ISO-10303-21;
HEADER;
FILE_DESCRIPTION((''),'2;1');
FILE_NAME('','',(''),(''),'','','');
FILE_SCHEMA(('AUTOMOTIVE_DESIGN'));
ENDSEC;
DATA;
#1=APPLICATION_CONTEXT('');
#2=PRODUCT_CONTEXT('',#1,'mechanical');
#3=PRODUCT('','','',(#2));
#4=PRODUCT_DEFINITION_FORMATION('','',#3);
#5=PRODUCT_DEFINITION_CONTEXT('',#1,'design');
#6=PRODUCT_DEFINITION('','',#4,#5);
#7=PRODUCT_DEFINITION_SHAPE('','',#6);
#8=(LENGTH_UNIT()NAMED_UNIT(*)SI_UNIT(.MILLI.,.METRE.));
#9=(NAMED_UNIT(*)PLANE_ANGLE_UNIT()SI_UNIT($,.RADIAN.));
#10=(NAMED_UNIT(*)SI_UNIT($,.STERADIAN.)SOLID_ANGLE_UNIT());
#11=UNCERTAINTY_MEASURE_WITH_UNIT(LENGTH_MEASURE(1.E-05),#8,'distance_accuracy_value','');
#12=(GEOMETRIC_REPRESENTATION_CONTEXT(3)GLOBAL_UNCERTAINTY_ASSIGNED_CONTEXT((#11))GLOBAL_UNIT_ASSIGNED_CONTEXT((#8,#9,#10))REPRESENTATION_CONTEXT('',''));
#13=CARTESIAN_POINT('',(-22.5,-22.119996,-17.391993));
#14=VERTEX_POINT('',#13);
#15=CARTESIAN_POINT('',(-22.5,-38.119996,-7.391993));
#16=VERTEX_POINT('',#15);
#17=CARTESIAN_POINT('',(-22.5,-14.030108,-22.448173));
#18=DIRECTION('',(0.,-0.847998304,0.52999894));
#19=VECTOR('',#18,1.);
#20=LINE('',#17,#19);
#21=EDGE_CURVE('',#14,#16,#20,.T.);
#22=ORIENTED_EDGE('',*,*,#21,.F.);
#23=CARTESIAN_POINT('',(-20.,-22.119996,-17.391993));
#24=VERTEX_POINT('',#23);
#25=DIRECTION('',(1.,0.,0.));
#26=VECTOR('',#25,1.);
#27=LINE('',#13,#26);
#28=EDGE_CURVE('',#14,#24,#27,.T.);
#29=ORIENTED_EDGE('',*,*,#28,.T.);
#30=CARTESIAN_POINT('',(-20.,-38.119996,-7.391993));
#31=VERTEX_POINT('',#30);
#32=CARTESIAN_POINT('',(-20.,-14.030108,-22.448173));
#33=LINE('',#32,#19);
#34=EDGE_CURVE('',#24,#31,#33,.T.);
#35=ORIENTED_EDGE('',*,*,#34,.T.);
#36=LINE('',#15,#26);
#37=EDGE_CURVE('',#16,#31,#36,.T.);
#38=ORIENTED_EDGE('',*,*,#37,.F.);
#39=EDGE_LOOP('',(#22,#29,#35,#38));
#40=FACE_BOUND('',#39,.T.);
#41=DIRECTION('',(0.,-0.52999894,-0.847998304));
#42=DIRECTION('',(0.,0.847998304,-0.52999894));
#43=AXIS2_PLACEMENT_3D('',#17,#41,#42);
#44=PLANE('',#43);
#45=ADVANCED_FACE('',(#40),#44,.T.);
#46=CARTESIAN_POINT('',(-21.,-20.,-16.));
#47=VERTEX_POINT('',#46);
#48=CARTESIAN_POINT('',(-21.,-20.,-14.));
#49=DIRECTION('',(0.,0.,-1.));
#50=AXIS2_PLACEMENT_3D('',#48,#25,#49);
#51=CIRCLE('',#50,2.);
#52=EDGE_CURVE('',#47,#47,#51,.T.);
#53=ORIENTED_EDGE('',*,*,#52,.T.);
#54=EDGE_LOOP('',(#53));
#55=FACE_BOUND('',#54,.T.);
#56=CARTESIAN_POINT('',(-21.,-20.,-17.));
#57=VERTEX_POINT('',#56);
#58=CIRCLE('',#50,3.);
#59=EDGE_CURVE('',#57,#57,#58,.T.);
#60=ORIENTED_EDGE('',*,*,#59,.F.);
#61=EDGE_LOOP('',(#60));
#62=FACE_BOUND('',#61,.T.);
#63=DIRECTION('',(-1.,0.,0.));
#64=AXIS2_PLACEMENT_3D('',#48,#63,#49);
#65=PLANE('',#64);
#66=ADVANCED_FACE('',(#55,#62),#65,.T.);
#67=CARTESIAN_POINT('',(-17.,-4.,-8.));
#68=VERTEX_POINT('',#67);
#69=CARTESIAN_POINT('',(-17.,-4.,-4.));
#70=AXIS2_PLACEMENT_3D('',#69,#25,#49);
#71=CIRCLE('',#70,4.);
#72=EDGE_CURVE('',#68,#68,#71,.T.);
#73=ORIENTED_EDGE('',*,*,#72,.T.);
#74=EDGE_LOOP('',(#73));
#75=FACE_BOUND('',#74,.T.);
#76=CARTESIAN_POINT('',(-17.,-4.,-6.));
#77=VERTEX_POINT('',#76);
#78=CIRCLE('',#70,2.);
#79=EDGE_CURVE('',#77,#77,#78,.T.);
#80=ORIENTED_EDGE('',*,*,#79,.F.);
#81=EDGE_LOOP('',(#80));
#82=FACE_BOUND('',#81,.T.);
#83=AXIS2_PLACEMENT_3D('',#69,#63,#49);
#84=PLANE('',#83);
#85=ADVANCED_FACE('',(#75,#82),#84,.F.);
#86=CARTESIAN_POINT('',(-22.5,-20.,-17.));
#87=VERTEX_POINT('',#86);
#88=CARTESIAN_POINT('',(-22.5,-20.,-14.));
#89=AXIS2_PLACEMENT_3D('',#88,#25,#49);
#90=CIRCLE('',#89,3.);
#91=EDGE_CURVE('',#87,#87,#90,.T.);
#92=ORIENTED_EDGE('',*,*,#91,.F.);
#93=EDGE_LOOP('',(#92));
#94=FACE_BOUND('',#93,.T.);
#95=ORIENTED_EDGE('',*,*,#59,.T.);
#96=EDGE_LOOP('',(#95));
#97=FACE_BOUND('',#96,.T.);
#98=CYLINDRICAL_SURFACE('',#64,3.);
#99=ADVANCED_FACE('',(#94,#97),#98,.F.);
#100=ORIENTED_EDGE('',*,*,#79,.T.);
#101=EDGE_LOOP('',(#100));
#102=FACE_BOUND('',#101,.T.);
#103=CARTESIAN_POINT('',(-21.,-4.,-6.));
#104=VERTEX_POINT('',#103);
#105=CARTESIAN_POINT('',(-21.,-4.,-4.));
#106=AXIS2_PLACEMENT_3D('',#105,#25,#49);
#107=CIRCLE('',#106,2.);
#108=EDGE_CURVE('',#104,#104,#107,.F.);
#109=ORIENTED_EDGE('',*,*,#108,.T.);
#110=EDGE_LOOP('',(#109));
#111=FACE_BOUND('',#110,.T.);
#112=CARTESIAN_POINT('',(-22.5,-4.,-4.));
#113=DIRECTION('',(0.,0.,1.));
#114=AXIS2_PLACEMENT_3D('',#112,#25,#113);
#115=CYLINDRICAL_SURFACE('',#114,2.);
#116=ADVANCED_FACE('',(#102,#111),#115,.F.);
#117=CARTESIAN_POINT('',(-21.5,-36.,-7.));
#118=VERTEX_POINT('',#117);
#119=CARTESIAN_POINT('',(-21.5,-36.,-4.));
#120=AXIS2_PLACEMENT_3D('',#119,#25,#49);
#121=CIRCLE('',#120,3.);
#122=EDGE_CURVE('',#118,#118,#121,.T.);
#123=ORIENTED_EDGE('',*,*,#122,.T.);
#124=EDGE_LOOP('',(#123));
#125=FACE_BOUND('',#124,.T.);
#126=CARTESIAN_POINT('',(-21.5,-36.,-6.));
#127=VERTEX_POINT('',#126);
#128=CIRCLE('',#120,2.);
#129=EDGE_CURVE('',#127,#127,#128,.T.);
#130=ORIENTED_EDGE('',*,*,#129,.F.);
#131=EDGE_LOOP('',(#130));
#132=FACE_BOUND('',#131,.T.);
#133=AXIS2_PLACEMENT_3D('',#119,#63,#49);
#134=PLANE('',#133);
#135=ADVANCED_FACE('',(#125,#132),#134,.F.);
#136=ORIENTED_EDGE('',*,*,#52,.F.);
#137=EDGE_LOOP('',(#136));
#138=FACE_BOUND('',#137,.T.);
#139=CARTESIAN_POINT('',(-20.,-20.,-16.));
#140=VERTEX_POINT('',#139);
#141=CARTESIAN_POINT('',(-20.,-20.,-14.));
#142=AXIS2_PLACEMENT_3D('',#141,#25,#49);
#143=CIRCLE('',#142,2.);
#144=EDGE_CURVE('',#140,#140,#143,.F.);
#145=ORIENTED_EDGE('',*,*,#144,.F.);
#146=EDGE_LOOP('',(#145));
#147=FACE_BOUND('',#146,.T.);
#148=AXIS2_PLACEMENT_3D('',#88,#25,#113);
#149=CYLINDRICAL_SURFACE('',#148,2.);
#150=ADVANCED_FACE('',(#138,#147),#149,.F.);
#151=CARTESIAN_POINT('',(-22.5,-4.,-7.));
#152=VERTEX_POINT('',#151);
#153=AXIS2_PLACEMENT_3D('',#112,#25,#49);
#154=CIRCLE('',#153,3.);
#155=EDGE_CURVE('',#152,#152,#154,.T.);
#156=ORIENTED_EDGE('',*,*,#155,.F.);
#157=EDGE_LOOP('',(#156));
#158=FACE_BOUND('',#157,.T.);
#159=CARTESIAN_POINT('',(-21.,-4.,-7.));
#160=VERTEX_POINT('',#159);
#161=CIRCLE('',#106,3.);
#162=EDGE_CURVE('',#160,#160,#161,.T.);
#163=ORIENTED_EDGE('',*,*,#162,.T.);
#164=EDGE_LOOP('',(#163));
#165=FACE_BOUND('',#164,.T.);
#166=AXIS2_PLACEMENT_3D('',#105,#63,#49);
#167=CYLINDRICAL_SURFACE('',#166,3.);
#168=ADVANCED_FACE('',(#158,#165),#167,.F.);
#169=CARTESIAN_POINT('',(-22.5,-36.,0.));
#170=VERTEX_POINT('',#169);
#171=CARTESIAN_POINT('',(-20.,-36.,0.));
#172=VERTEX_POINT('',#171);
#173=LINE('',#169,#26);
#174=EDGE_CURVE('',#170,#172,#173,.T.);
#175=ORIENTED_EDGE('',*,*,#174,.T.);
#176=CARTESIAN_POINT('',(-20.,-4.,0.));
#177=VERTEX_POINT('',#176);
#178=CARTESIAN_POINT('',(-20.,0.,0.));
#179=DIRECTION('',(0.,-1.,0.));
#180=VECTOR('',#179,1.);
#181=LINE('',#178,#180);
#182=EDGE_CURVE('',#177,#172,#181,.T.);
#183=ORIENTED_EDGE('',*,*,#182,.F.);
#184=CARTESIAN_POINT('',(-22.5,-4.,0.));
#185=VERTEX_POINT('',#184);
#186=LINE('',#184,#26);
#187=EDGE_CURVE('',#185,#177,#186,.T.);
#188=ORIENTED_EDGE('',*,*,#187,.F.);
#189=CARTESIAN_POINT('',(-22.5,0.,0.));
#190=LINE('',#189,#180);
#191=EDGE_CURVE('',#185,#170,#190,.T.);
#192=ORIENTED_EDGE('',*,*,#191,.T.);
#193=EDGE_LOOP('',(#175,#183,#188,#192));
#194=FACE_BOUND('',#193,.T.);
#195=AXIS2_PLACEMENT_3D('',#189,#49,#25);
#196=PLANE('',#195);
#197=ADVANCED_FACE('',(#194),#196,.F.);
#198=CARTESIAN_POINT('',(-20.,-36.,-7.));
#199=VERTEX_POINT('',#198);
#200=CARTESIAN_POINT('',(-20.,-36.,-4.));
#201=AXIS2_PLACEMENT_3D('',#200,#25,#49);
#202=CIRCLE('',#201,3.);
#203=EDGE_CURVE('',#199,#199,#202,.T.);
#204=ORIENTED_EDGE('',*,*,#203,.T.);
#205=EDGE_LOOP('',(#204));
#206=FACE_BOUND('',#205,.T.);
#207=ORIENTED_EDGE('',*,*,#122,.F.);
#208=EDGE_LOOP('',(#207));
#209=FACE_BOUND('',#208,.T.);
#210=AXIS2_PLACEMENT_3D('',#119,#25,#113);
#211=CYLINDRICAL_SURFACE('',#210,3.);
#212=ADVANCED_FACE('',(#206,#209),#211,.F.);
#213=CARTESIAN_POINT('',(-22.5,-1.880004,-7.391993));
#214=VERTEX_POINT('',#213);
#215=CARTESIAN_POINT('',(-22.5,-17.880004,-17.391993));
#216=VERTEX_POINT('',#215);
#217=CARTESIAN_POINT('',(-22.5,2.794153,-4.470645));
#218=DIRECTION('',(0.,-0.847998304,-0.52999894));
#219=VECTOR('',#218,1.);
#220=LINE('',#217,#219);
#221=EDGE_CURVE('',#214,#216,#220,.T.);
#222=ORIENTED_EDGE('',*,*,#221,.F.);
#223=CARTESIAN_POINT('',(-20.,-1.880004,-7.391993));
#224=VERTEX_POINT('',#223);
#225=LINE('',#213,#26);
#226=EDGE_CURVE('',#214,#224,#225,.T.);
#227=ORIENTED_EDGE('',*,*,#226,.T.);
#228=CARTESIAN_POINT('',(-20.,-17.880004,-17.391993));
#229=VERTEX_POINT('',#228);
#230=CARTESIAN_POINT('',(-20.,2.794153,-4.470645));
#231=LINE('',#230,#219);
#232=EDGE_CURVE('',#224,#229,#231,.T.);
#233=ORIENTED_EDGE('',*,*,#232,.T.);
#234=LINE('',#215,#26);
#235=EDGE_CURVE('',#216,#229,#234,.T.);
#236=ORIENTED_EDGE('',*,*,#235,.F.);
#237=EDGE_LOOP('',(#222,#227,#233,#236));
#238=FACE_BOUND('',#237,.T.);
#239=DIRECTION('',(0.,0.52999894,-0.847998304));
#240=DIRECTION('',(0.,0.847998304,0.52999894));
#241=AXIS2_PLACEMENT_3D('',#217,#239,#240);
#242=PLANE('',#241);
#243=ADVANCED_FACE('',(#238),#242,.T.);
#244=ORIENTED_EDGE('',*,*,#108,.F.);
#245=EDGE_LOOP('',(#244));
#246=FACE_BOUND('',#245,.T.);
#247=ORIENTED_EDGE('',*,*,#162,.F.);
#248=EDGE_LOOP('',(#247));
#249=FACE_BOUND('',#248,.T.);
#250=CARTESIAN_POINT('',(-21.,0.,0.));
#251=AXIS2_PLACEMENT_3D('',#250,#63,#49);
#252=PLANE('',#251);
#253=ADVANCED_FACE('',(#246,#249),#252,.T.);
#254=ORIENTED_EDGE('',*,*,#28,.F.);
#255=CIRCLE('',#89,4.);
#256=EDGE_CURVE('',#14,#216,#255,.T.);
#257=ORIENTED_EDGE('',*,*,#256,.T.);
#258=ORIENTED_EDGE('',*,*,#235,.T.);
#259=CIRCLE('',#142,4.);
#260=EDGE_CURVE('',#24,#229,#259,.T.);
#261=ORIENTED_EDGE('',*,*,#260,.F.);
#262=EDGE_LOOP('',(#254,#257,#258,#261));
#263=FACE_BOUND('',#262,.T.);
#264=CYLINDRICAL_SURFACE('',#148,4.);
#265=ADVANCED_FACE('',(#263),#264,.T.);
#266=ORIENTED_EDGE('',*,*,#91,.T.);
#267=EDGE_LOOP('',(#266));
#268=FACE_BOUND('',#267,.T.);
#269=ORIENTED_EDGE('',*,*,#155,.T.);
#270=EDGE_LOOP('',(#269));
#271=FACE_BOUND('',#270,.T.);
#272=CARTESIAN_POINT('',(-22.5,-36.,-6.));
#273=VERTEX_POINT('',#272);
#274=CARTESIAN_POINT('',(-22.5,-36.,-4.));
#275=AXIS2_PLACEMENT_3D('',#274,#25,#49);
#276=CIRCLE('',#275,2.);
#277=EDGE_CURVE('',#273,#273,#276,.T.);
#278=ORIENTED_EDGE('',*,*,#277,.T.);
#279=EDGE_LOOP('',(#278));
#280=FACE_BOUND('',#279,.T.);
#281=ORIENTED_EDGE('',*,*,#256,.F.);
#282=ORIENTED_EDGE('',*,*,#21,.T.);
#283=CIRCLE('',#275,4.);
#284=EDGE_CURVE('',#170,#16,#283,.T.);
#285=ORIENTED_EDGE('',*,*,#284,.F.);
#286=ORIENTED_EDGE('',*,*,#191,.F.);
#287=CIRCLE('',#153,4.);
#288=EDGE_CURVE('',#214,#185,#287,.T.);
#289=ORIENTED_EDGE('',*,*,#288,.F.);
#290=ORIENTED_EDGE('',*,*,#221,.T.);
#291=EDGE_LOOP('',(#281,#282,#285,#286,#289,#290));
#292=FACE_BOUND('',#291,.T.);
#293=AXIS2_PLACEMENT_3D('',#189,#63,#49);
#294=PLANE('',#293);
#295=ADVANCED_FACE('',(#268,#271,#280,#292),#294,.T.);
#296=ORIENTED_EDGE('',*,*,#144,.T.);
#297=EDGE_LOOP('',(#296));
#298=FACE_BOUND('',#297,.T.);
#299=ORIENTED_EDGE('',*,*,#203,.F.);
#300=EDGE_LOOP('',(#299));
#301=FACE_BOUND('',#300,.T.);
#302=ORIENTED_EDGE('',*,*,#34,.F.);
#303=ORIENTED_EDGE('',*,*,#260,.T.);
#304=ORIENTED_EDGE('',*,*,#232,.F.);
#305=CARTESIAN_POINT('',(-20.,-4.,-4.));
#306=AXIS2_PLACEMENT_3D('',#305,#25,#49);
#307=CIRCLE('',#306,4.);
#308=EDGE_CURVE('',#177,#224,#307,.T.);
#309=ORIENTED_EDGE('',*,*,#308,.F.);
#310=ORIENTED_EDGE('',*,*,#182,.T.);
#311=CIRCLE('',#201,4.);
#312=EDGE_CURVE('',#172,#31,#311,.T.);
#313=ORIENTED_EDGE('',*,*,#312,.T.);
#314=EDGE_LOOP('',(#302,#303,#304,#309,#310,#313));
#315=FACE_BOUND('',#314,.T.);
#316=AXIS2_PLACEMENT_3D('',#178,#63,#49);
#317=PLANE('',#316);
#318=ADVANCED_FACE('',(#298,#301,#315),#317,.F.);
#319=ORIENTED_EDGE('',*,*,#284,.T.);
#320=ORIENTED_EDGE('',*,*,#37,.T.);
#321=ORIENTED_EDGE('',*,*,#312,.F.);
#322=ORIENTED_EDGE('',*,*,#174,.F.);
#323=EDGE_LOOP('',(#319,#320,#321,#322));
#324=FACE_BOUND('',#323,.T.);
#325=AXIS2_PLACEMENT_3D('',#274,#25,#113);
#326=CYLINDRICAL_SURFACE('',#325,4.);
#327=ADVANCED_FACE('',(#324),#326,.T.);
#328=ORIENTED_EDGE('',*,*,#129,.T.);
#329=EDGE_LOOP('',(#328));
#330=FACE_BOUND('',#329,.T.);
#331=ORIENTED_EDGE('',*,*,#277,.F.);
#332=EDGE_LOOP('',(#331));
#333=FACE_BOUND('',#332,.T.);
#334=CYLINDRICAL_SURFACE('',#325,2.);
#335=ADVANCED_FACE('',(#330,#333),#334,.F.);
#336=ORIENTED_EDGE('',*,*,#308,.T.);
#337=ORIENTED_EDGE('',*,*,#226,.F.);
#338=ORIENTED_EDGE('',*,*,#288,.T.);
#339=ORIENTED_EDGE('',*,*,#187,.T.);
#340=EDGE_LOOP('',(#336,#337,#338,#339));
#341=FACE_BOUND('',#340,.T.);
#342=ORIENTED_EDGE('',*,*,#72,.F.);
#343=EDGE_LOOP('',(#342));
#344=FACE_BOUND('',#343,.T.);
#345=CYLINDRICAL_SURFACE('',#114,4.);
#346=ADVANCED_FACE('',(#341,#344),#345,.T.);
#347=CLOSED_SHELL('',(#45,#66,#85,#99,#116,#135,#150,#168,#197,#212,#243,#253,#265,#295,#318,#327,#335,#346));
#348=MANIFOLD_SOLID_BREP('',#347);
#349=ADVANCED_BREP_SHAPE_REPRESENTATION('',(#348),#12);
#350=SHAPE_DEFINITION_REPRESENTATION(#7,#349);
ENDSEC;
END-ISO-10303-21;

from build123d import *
from build123d.topology import SkipClean

# Parameters (mm, degrees)
EXTRUDE_1_DEPTH          = 2.5
EXTRUDE_START            = -3
SKETCH_1_4_R             = 4
EXTRUDE_2_DEPTH          = 3
CUT_EXTRUDE_1_DEPTH      = 44.965895874
CUT_EXTRUDE_1_DEPTH_BACK = 44.965895874
SKETCH_1_3_R             = 2
SKETCH_2_R               = 3
CUT_EXTRUDE_2_DEPTH      = 1.5
CUT_EXTRUDE_START        = -2.5
SKETCH_2_3_R             = 3
CUT_EXTRUDE_3_DEPTH      = 1.5
SKETCH_3_W               = 21.826299482
SKETCH_3_H               = 56.481797896
CUT_EXTRUDE_4_DEPTH      = 50.297565863


with BuildPart() as part:
    # 草图1 → 凸台-拉伸1 (new body)
    with BuildSketch(Plane(origin=(0, 0, 0), x_dir=(0, 0, -1), z_dir=(1, 0, 0))):
        with BuildLine():
            Line((17.391993216, -17.88000424), (7.391993216, -1.88000424))
            ThreePointArc((7.391993216, -1.88000424), (2.897269948, -0.155005015), (0, -4))
            Line((0, -4), (0, -36))
            ThreePointArc((0, -36), (2.897269948, -39.844994985), (7.391993216, -38.11999576))
            Line((7.391993216, -38.11999576), (17.391993216, -22.11999576))
            ThreePointArc((17.391993216, -22.11999576), (18, -20), (17.391993216, -17.88000424))
        make_face()
    extrude(amount=EXTRUDE_1_DEPTH)

    # 草图1<4> → 凸台-拉伸2 (add)
    with SkipClean():  # the faces are left unmerged after this step: merging them gives an invalid solid
        with BuildSketch(Plane(origin=(0, 0, 0), x_dir=(0, 0, -1), z_dir=(1, 0, 0)).offset(EXTRUDE_START)):
            with Locations(Location((4, -4, 0), (0, 0, 180))):
                Circle(SKETCH_1_4_R)
        extrude(amount=EXTRUDE_2_DEPTH)

    # 草图1<3> → 切除-拉伸1 (cut, two sides: drawn at the far end of the back side and taken through both)
    with SkipClean():  # the faces are left unmerged after this step: merging them gives an invalid solid
        with BuildSketch(Plane(origin=(0, 0, 0), x_dir=(0, 0, -1), z_dir=(1, 0, 0)).offset(-CUT_EXTRUDE_1_DEPTH_BACK)):
            with Locations((4, -4)):
                Circle(SKETCH_1_3_R)
            with Locations((14, -20)):
                Circle(SKETCH_1_3_R)
            with Locations((4, -36)):
                Circle(SKETCH_1_3_R)
        extrude(amount=CUT_EXTRUDE_1_DEPTH + CUT_EXTRUDE_1_DEPTH_BACK, mode=Mode.SUBTRACT)

    # 草图2 → 切除-拉伸2 (cut)
    with SkipClean():  # the faces are left unmerged after this step: merging them gives an invalid solid
        with BuildSketch(Plane(origin=(2.5, 0, 0), x_dir=(0, 0, -1), z_dir=(1, 0, 0))):
            with Locations((4, -4)):
                Circle(SKETCH_2_R)
            with Locations((14, -20)):
                Circle(SKETCH_2_R)
        extrude(amount=-CUT_EXTRUDE_2_DEPTH, mode=Mode.SUBTRACT)

    # 草图2<3> → 切除-拉伸3 (cut)
    with SkipClean():  # the faces are left unmerged after this step: merging them gives an invalid solid
        with BuildSketch(Plane(origin=(2.5, 0, 0), x_dir=(0, 0, -1), z_dir=(1, 0, 0)).offset(CUT_EXTRUDE_START)):
            with Locations((4, -36)):
                Circle(SKETCH_2_3_R)
        extrude(amount=CUT_EXTRUDE_3_DEPTH, mode=Mode.SUBTRACT)


with BuildPart() as body_2:
    # 镜向2: mirrored copy
    add(part.part.mirror(Plane(origin=(-10, 0, 0), x_dir=(0, 0, 1), z_dir=(1, 0, 0))))


with BuildPart() as part_1:
    add(part.part)

    # 草图3 → 切除-拉伸4 (cut, through all)
    with BuildSketch(Plane.XY):
        with Locations((1.838530602, -21.590992799)):
            Rectangle(SKETCH_3_W, SKETCH_3_H)
    extrude(amount=-CUT_EXTRUDE_4_DEPTH, mode=Mode.SUBTRACT)


solid = body_2.part
